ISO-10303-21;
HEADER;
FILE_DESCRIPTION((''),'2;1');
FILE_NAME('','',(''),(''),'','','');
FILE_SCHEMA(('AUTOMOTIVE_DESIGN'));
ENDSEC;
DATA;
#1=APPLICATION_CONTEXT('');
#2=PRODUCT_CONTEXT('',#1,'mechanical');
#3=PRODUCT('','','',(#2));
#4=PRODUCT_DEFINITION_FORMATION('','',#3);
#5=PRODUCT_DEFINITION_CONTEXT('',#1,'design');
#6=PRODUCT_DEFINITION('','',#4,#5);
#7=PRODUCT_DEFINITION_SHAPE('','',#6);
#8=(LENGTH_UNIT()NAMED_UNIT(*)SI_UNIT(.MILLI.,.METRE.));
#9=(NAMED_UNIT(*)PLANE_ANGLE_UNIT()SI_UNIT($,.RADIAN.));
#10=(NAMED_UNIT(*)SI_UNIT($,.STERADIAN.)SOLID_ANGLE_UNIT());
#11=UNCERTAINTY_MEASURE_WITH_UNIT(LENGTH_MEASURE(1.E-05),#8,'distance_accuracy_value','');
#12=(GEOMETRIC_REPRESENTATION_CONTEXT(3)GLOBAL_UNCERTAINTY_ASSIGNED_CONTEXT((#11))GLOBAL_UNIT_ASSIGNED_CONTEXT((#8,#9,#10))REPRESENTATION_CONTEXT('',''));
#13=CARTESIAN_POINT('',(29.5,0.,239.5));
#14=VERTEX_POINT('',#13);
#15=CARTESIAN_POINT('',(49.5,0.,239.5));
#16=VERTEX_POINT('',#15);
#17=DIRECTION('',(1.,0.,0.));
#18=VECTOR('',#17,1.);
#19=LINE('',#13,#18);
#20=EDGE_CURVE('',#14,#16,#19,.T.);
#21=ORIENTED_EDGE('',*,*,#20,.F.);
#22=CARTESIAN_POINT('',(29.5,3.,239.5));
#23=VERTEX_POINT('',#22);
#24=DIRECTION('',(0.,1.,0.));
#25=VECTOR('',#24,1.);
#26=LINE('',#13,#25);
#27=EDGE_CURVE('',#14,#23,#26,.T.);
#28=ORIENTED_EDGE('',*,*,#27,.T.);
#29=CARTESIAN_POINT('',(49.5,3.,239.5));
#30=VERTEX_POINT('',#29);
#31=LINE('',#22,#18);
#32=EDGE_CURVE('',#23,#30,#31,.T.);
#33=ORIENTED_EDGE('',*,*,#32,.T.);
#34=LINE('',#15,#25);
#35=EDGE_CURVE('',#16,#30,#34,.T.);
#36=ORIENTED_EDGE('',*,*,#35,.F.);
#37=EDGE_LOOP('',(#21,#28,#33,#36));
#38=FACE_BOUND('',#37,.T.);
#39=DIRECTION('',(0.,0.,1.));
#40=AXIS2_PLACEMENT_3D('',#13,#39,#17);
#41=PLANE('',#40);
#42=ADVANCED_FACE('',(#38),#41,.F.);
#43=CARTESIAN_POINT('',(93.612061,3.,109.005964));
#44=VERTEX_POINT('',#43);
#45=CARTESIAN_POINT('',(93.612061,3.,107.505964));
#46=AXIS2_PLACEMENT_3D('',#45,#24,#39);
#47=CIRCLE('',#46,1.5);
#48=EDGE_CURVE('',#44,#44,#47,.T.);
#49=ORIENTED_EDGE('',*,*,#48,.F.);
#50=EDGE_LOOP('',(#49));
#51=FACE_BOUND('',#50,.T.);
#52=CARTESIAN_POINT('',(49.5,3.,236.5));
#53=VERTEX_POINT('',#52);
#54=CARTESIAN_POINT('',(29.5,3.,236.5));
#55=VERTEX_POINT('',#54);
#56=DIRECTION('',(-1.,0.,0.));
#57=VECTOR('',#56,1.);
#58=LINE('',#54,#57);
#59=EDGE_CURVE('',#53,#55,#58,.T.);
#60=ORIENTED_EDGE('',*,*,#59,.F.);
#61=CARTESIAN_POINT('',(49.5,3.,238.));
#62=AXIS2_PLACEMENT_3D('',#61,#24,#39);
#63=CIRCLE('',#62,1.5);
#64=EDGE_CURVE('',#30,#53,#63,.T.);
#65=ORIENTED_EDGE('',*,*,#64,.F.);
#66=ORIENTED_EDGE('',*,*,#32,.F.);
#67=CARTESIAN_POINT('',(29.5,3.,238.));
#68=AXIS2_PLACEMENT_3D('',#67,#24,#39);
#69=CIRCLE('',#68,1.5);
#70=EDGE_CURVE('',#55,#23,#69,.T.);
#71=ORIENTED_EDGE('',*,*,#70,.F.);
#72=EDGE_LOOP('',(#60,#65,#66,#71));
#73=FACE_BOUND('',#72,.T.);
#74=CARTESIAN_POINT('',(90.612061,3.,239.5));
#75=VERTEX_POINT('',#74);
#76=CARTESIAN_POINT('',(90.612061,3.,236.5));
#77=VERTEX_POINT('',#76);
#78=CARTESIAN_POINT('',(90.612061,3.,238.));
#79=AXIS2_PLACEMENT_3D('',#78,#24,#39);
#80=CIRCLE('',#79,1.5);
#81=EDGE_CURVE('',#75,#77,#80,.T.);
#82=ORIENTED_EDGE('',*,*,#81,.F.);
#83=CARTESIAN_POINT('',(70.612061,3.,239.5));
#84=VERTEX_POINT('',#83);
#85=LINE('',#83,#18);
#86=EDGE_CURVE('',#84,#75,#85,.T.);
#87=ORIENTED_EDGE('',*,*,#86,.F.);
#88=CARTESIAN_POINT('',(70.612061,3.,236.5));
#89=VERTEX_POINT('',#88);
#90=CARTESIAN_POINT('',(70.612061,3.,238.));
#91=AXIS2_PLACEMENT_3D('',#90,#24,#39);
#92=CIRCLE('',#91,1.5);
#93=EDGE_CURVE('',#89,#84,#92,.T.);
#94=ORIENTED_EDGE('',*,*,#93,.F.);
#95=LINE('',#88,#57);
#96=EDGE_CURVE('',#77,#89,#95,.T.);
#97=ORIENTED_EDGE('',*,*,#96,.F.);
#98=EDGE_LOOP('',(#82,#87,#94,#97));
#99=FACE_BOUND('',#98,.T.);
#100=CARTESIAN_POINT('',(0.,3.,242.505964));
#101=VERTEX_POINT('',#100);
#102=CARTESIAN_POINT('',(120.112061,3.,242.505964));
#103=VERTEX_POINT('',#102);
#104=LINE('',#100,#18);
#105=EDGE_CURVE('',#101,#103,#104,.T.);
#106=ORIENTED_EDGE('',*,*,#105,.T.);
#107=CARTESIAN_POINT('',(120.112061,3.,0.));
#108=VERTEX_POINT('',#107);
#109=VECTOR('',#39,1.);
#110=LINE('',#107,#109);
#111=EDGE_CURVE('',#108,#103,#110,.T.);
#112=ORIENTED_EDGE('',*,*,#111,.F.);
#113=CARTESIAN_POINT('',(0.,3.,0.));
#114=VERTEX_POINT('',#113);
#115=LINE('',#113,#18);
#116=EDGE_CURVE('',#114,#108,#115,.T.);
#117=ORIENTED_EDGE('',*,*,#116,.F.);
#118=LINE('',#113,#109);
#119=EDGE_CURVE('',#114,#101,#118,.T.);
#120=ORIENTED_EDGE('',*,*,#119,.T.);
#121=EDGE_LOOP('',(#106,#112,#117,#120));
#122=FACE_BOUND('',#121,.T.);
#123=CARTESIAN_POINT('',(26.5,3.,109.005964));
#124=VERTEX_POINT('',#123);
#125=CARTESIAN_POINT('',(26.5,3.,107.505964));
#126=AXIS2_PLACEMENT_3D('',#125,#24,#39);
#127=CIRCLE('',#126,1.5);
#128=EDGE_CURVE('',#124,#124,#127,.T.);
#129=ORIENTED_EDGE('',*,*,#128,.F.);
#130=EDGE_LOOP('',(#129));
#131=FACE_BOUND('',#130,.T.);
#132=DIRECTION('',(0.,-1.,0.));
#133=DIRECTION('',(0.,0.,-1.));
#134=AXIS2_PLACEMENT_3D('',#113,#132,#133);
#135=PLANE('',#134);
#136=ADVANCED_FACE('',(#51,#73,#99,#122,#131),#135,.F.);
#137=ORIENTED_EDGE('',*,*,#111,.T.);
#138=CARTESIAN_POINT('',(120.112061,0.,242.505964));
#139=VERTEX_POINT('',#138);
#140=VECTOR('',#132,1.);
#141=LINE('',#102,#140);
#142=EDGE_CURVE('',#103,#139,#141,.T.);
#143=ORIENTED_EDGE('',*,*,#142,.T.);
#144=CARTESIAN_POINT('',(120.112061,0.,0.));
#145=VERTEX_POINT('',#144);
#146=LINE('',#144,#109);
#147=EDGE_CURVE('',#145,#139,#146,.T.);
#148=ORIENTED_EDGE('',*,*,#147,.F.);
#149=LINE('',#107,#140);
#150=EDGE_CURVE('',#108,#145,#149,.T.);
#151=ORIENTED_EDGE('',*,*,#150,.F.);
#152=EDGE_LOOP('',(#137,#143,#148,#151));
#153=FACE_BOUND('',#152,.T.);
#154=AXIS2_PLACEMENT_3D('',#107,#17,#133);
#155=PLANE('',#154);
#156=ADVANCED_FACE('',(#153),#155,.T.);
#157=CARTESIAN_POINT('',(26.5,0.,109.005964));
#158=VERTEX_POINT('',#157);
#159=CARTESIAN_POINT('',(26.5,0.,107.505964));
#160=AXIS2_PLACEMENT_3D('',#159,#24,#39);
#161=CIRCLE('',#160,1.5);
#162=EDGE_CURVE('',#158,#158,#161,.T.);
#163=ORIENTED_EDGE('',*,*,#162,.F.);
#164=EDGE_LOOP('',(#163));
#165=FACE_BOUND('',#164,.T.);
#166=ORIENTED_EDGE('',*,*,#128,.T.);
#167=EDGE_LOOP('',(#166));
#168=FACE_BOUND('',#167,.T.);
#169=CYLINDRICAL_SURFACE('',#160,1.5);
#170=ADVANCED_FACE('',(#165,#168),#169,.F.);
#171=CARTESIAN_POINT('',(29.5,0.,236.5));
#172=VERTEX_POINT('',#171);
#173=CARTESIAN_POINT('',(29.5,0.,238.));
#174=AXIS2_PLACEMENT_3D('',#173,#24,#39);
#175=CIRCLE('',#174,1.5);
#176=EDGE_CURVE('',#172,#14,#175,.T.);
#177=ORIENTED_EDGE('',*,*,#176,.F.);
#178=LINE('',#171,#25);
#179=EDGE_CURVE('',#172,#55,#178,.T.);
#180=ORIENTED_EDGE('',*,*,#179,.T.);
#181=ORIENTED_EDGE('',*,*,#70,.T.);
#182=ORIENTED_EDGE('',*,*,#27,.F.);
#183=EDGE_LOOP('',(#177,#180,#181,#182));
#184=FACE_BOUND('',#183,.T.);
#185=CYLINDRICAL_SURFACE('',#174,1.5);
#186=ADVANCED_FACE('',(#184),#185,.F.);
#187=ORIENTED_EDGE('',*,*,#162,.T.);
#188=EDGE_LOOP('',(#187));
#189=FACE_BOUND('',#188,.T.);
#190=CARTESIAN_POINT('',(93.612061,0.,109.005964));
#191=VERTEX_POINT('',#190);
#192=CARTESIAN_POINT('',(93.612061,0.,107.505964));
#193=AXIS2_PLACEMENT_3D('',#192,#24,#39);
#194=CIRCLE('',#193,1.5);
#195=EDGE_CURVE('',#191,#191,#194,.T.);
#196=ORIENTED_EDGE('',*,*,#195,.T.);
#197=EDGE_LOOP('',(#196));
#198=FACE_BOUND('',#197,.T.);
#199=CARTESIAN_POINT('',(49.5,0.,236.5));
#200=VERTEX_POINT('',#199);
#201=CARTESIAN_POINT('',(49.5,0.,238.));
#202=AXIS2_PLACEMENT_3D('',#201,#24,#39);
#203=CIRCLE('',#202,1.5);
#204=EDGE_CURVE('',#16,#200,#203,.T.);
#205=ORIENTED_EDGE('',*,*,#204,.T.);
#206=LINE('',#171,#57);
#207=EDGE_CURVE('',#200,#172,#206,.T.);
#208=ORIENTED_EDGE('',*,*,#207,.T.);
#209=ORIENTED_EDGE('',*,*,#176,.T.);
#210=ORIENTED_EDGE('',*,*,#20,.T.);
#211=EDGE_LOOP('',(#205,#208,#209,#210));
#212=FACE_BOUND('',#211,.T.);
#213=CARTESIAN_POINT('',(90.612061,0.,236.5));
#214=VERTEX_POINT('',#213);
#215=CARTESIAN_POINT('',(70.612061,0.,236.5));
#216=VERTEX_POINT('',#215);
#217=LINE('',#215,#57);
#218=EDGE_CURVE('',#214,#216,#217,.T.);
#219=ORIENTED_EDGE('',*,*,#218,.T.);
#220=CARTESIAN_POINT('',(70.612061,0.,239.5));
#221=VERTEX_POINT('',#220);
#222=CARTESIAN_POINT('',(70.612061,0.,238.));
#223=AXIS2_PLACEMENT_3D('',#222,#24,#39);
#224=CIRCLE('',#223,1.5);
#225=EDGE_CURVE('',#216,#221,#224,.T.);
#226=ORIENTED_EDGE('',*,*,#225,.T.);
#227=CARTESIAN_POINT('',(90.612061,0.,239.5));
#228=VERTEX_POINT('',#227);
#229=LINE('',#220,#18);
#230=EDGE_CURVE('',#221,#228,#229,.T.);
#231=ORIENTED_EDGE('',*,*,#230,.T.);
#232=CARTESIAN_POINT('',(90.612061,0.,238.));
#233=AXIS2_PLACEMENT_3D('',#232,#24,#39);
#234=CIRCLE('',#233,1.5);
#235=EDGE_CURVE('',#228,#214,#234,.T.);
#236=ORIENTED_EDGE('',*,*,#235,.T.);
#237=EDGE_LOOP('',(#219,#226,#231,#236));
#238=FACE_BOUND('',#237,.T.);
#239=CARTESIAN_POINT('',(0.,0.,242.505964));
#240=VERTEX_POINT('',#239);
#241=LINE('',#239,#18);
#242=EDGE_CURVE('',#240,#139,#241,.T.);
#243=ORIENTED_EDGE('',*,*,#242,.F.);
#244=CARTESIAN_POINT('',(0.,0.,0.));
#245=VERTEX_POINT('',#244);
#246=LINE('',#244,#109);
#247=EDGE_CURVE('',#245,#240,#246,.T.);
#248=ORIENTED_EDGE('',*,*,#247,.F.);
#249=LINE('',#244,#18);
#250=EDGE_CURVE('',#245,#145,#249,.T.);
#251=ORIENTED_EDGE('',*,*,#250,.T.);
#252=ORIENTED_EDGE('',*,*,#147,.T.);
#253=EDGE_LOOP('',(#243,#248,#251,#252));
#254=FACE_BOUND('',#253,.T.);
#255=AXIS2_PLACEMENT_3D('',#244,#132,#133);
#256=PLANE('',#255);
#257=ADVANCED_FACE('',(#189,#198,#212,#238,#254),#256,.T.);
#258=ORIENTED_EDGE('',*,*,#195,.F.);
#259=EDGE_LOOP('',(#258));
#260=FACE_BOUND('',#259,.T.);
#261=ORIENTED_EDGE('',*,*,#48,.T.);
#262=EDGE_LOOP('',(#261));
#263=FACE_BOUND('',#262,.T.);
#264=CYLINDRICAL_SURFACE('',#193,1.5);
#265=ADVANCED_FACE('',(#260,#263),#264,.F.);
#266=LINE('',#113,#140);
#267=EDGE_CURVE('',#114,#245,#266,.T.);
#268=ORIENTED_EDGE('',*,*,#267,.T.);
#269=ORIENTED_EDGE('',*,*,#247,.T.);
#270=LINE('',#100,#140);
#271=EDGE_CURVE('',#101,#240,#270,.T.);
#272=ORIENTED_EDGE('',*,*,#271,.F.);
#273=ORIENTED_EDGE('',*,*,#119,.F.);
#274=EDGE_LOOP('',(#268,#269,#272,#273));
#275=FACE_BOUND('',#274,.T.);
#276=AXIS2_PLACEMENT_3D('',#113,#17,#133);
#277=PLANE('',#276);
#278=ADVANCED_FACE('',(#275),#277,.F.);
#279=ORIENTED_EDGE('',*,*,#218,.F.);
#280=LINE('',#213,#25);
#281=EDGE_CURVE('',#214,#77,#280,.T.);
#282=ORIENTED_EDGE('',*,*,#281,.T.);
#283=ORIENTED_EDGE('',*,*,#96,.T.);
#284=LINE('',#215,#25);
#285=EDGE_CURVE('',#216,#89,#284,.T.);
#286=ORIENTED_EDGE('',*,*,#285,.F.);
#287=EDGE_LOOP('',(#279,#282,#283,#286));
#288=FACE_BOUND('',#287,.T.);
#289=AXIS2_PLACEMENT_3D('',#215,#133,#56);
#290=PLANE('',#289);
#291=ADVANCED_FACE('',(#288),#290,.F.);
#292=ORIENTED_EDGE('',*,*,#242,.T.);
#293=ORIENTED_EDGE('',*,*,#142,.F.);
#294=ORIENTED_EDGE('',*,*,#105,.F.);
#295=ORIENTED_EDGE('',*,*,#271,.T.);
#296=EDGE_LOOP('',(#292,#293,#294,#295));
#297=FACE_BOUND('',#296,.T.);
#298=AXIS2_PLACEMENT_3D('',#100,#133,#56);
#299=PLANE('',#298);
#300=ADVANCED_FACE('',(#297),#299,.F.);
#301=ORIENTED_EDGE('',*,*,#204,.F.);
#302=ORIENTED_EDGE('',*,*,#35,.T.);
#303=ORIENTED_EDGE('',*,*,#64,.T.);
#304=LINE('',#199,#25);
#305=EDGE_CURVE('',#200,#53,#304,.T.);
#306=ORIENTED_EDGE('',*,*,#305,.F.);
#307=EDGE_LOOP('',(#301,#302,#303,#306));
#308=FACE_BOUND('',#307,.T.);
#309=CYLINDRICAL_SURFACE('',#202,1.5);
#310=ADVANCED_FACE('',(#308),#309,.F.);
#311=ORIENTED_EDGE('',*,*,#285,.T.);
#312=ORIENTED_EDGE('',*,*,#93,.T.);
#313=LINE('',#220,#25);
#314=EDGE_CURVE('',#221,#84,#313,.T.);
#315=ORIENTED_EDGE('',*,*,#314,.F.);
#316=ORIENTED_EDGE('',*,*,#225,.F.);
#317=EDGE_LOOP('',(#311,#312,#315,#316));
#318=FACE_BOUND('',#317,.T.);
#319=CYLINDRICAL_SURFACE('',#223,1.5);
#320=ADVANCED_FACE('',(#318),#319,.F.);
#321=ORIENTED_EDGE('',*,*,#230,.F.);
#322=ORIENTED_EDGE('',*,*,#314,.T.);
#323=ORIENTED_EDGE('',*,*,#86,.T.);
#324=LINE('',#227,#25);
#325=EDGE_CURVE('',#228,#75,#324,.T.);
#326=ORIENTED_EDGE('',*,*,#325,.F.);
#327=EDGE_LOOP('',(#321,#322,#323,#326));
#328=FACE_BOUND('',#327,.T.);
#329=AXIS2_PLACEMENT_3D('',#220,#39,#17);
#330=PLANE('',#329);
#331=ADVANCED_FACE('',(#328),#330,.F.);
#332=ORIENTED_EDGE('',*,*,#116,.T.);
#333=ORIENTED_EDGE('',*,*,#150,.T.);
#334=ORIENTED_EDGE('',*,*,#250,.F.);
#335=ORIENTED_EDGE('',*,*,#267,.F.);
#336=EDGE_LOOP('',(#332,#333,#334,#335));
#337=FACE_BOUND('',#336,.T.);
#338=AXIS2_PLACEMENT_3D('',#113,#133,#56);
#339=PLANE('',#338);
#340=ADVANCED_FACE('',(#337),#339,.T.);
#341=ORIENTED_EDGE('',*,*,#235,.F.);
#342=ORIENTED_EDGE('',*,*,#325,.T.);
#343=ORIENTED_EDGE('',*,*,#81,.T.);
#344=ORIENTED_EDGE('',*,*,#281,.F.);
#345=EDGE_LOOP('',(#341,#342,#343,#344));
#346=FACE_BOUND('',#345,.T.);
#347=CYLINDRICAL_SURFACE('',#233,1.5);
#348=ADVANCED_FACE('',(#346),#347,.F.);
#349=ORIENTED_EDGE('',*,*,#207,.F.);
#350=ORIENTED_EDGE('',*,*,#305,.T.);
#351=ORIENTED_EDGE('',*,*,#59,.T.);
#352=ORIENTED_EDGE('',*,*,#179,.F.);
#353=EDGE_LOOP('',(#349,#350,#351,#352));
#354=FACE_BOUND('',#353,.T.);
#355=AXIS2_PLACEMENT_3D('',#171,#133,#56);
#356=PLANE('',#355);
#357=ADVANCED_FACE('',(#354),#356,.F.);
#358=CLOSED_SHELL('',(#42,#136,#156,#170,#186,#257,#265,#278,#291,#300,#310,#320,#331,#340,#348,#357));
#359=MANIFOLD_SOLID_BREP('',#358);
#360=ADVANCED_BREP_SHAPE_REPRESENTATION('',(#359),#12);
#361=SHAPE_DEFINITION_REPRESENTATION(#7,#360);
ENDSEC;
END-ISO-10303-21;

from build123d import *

# Parameters (mm, degrees)
SKETCH_1_W          = 120.112060779
SKETCH_1_H          = 242.505963566
EXTRUDE_1_DEPTH     = 3
SKETCH_3_R          = 1.5
CUT_EXTRUDE_5_DEPTH = 3


with BuildPart() as part:
    # 草图1 → 凸台-拉伸1 (new body)
    with BuildSketch(Plane(origin=(0, 0, 0), x_dir=(1, 0, 0), z_dir=(0, 1, 0))):
        with Locations((60.05603039, -121.252981783)):
            Rectangle(SKETCH_1_W, SKETCH_1_H)
    extrude(amount=EXTRUDE_1_DEPTH)

    # 草图3 → 切除-拉伸5 (cut)
    with BuildSketch(Plane(origin=(0, 3, 0), x_dir=(1, 0, 0), z_dir=(0, 1, 0))):
        with Locations((26.5, -107.505963566)):
            Circle(SKETCH_3_R)
        with Locations((93.612060779, -107.505963566)):
            Circle(SKETCH_3_R)
        with BuildLine():
            Line((29.5, -236.5), (49.5, -236.5))
            ThreePointArc((49.5, -236.5), (51, -238), (49.5, -239.5))
            Line((49.5, -239.5), (29.5, -239.5))
            ThreePointArc((29.5, -239.5), (28, -238), (29.5, -236.5))
        make_face()
        with BuildLine():
            Line((70.612060779, -236.5), (90.612060779, -236.5))
            ThreePointArc((90.612060779, -236.5), (92.112060779, -238), (90.612060779, -239.5))
            Line((90.612060779, -239.5), (70.612060779, -239.5))
            ThreePointArc((70.612060779, -239.5), (69.112060779, -238), (70.612060779, -236.5))
        make_face()
    extrude(amount=-CUT_EXTRUDE_5_DEPTH, mode=Mode.SUBTRACT)


solid = part.part
